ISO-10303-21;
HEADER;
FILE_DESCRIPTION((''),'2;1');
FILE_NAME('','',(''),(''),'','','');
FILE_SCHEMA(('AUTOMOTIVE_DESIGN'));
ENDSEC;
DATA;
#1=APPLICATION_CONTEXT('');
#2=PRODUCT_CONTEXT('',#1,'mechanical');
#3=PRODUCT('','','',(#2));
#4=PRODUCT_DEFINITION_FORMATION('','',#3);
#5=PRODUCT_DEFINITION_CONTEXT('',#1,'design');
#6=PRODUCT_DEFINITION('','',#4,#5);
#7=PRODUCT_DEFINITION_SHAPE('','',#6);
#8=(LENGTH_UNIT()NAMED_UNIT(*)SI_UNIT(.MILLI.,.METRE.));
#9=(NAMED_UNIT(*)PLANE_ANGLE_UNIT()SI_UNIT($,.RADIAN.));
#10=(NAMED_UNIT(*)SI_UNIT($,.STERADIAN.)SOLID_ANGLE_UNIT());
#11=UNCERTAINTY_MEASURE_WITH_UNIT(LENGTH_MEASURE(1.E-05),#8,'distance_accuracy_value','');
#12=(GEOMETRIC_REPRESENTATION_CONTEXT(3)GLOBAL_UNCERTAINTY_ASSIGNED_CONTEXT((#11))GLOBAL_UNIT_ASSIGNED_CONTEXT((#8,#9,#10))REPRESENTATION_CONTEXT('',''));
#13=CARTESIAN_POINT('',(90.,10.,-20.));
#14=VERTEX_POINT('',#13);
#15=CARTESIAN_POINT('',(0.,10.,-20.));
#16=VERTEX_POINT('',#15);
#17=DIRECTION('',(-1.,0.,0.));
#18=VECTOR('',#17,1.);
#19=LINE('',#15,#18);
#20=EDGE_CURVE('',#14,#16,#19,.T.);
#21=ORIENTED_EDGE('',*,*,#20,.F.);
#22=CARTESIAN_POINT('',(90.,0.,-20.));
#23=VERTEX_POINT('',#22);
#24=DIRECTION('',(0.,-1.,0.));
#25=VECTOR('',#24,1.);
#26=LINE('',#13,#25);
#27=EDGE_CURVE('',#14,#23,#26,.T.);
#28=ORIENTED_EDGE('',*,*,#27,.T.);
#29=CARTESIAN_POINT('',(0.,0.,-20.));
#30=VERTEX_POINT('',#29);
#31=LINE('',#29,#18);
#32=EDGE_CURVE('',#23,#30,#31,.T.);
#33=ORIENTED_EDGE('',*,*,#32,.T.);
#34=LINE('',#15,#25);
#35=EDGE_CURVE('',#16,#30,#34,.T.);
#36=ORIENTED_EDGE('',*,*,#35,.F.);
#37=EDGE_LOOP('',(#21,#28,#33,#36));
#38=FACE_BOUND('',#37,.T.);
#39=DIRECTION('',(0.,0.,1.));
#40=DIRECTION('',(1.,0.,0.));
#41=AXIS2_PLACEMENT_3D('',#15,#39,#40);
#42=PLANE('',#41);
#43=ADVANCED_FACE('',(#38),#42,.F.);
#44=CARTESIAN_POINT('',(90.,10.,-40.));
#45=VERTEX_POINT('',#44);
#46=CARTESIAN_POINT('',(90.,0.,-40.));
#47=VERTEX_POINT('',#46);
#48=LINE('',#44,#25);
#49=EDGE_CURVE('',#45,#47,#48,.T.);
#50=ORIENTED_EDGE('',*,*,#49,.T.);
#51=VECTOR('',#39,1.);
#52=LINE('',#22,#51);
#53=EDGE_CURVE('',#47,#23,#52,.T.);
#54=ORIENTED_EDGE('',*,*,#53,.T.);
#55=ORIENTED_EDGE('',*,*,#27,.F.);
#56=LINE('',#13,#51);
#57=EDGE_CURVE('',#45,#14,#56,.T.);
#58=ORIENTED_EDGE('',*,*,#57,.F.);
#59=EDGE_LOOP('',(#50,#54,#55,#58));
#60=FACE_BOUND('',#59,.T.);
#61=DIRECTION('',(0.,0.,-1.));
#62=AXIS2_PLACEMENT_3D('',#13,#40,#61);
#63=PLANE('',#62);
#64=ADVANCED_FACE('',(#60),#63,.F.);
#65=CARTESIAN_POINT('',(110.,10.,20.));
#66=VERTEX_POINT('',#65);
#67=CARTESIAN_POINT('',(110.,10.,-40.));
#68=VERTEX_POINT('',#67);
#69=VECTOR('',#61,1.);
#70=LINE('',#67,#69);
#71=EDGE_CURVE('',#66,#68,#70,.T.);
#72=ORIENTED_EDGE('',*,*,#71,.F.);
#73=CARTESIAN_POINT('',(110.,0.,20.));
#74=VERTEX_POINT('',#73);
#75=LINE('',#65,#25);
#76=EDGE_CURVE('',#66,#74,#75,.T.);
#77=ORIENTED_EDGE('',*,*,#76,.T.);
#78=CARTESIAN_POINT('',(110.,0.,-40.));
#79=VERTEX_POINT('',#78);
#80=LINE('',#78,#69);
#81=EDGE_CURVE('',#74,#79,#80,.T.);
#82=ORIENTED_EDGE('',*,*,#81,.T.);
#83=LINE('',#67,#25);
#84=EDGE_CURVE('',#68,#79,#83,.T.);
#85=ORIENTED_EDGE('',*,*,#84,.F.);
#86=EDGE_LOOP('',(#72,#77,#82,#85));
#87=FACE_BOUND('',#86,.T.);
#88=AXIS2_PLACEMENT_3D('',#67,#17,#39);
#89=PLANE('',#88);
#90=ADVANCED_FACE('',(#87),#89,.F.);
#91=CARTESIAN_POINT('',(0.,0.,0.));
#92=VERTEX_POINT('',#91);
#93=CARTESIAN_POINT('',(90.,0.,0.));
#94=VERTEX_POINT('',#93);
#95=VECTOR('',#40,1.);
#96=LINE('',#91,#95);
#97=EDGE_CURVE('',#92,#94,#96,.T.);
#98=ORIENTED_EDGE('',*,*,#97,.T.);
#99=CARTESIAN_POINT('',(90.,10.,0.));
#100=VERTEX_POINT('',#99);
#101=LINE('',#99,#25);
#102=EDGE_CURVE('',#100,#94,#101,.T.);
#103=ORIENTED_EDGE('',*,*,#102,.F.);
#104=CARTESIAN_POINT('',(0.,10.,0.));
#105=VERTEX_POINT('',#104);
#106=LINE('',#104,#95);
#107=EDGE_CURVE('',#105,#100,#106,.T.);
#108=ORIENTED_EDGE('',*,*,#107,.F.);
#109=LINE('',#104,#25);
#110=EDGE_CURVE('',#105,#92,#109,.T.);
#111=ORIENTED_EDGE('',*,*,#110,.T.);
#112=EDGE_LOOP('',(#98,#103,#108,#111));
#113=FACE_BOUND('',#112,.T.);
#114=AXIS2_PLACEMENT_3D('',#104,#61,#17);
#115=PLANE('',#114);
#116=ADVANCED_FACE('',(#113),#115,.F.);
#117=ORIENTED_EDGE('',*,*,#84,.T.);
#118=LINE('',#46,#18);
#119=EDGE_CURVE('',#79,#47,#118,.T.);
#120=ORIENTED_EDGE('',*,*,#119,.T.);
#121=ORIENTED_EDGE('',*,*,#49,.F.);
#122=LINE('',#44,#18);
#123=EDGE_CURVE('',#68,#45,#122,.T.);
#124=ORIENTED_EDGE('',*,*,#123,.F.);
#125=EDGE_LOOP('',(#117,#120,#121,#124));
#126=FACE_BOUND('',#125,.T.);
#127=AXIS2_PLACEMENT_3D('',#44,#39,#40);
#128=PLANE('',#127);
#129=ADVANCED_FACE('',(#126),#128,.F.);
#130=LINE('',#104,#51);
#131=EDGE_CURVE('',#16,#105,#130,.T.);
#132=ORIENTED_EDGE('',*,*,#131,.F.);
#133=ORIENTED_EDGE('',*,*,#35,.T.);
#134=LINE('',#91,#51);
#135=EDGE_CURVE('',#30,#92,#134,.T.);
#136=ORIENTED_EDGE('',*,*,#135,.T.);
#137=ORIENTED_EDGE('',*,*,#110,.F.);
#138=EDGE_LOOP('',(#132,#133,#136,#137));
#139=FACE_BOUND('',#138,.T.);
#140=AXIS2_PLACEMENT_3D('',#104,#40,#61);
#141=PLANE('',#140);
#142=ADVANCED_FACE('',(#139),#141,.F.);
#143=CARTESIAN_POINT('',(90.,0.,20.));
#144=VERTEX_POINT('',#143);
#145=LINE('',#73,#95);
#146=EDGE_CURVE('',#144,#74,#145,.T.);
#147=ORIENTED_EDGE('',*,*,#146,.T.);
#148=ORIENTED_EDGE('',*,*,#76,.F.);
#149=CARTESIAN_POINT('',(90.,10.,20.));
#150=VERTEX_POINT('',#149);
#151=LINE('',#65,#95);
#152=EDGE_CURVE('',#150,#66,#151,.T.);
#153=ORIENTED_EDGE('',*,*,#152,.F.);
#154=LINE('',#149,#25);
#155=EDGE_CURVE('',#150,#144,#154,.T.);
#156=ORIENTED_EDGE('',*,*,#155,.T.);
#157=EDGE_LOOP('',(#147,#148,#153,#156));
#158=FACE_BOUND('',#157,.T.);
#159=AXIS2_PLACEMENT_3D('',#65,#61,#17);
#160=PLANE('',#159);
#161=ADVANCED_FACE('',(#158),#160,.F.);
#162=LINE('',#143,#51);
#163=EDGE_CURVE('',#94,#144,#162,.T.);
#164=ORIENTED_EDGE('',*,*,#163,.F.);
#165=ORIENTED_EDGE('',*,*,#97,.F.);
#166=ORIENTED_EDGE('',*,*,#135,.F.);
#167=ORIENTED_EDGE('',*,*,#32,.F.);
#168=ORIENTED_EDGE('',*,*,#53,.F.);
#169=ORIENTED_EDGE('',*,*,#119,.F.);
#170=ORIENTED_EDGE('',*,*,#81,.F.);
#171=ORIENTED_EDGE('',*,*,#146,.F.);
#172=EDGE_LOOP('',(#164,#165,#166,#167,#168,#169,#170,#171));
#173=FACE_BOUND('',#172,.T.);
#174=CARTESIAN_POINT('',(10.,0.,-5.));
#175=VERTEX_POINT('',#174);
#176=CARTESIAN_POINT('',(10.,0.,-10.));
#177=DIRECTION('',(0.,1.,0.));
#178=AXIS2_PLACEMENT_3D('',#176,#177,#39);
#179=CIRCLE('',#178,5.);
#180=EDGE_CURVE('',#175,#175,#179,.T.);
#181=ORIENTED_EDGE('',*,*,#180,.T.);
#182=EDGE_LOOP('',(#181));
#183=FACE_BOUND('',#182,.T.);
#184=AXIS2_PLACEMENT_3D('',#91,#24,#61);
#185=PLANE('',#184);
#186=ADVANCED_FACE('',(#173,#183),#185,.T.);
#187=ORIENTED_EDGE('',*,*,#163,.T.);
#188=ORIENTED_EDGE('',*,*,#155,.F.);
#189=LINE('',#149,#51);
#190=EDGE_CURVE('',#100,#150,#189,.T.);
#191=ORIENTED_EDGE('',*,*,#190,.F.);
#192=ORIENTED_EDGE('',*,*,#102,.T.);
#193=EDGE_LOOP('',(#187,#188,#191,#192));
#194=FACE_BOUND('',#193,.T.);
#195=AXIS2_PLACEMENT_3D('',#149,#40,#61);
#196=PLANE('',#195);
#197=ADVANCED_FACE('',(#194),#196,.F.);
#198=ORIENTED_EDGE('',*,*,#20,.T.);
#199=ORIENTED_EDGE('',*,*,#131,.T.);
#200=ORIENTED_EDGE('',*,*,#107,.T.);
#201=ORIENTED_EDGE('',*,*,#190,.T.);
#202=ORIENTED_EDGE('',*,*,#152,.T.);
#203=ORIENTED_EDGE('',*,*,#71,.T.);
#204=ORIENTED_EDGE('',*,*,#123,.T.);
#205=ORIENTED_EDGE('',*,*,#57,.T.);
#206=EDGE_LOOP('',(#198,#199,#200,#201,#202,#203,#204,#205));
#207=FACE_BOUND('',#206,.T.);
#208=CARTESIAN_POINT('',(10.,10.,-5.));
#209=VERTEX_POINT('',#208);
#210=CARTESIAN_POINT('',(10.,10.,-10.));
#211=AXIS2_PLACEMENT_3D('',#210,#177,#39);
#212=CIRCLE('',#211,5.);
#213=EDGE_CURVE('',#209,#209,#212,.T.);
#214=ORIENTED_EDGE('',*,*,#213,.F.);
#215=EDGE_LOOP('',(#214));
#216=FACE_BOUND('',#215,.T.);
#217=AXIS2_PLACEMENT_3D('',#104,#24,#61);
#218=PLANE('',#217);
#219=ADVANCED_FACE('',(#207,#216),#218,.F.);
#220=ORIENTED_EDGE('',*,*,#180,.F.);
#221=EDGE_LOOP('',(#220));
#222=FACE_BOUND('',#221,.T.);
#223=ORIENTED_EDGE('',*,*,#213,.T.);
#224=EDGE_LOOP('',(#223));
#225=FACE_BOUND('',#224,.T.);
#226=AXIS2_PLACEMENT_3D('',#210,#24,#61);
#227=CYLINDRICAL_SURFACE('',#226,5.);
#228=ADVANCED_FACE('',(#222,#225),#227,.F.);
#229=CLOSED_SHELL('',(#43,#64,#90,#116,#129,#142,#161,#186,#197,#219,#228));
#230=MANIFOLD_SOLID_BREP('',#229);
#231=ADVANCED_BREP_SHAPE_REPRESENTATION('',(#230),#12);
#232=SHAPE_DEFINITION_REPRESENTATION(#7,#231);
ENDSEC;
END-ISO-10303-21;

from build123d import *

# Parameters (mm, degrees)
SKETCH1_R           = 5
BOSS_EXTRUDE1_DEPTH = 10


with BuildPart() as part:
    # Sketch1 → Boss-Extrude1 (new body)
    with BuildSketch(Plane(origin=(0, 0, 0), x_dir=(1, 0, 0), z_dir=(0, 1, 0))):
        Polygon((90, 20), (90, 40), (110, 40), (110, -20), (90, -20), (90, 0), (0, 0), (0, 20), align=None)
        with Locations((10, 10)):
            Circle(SKETCH1_R, mode=Mode.SUBTRACT)
    extrude(amount=BOSS_EXTRUDE1_DEPTH)


solid = part.part
